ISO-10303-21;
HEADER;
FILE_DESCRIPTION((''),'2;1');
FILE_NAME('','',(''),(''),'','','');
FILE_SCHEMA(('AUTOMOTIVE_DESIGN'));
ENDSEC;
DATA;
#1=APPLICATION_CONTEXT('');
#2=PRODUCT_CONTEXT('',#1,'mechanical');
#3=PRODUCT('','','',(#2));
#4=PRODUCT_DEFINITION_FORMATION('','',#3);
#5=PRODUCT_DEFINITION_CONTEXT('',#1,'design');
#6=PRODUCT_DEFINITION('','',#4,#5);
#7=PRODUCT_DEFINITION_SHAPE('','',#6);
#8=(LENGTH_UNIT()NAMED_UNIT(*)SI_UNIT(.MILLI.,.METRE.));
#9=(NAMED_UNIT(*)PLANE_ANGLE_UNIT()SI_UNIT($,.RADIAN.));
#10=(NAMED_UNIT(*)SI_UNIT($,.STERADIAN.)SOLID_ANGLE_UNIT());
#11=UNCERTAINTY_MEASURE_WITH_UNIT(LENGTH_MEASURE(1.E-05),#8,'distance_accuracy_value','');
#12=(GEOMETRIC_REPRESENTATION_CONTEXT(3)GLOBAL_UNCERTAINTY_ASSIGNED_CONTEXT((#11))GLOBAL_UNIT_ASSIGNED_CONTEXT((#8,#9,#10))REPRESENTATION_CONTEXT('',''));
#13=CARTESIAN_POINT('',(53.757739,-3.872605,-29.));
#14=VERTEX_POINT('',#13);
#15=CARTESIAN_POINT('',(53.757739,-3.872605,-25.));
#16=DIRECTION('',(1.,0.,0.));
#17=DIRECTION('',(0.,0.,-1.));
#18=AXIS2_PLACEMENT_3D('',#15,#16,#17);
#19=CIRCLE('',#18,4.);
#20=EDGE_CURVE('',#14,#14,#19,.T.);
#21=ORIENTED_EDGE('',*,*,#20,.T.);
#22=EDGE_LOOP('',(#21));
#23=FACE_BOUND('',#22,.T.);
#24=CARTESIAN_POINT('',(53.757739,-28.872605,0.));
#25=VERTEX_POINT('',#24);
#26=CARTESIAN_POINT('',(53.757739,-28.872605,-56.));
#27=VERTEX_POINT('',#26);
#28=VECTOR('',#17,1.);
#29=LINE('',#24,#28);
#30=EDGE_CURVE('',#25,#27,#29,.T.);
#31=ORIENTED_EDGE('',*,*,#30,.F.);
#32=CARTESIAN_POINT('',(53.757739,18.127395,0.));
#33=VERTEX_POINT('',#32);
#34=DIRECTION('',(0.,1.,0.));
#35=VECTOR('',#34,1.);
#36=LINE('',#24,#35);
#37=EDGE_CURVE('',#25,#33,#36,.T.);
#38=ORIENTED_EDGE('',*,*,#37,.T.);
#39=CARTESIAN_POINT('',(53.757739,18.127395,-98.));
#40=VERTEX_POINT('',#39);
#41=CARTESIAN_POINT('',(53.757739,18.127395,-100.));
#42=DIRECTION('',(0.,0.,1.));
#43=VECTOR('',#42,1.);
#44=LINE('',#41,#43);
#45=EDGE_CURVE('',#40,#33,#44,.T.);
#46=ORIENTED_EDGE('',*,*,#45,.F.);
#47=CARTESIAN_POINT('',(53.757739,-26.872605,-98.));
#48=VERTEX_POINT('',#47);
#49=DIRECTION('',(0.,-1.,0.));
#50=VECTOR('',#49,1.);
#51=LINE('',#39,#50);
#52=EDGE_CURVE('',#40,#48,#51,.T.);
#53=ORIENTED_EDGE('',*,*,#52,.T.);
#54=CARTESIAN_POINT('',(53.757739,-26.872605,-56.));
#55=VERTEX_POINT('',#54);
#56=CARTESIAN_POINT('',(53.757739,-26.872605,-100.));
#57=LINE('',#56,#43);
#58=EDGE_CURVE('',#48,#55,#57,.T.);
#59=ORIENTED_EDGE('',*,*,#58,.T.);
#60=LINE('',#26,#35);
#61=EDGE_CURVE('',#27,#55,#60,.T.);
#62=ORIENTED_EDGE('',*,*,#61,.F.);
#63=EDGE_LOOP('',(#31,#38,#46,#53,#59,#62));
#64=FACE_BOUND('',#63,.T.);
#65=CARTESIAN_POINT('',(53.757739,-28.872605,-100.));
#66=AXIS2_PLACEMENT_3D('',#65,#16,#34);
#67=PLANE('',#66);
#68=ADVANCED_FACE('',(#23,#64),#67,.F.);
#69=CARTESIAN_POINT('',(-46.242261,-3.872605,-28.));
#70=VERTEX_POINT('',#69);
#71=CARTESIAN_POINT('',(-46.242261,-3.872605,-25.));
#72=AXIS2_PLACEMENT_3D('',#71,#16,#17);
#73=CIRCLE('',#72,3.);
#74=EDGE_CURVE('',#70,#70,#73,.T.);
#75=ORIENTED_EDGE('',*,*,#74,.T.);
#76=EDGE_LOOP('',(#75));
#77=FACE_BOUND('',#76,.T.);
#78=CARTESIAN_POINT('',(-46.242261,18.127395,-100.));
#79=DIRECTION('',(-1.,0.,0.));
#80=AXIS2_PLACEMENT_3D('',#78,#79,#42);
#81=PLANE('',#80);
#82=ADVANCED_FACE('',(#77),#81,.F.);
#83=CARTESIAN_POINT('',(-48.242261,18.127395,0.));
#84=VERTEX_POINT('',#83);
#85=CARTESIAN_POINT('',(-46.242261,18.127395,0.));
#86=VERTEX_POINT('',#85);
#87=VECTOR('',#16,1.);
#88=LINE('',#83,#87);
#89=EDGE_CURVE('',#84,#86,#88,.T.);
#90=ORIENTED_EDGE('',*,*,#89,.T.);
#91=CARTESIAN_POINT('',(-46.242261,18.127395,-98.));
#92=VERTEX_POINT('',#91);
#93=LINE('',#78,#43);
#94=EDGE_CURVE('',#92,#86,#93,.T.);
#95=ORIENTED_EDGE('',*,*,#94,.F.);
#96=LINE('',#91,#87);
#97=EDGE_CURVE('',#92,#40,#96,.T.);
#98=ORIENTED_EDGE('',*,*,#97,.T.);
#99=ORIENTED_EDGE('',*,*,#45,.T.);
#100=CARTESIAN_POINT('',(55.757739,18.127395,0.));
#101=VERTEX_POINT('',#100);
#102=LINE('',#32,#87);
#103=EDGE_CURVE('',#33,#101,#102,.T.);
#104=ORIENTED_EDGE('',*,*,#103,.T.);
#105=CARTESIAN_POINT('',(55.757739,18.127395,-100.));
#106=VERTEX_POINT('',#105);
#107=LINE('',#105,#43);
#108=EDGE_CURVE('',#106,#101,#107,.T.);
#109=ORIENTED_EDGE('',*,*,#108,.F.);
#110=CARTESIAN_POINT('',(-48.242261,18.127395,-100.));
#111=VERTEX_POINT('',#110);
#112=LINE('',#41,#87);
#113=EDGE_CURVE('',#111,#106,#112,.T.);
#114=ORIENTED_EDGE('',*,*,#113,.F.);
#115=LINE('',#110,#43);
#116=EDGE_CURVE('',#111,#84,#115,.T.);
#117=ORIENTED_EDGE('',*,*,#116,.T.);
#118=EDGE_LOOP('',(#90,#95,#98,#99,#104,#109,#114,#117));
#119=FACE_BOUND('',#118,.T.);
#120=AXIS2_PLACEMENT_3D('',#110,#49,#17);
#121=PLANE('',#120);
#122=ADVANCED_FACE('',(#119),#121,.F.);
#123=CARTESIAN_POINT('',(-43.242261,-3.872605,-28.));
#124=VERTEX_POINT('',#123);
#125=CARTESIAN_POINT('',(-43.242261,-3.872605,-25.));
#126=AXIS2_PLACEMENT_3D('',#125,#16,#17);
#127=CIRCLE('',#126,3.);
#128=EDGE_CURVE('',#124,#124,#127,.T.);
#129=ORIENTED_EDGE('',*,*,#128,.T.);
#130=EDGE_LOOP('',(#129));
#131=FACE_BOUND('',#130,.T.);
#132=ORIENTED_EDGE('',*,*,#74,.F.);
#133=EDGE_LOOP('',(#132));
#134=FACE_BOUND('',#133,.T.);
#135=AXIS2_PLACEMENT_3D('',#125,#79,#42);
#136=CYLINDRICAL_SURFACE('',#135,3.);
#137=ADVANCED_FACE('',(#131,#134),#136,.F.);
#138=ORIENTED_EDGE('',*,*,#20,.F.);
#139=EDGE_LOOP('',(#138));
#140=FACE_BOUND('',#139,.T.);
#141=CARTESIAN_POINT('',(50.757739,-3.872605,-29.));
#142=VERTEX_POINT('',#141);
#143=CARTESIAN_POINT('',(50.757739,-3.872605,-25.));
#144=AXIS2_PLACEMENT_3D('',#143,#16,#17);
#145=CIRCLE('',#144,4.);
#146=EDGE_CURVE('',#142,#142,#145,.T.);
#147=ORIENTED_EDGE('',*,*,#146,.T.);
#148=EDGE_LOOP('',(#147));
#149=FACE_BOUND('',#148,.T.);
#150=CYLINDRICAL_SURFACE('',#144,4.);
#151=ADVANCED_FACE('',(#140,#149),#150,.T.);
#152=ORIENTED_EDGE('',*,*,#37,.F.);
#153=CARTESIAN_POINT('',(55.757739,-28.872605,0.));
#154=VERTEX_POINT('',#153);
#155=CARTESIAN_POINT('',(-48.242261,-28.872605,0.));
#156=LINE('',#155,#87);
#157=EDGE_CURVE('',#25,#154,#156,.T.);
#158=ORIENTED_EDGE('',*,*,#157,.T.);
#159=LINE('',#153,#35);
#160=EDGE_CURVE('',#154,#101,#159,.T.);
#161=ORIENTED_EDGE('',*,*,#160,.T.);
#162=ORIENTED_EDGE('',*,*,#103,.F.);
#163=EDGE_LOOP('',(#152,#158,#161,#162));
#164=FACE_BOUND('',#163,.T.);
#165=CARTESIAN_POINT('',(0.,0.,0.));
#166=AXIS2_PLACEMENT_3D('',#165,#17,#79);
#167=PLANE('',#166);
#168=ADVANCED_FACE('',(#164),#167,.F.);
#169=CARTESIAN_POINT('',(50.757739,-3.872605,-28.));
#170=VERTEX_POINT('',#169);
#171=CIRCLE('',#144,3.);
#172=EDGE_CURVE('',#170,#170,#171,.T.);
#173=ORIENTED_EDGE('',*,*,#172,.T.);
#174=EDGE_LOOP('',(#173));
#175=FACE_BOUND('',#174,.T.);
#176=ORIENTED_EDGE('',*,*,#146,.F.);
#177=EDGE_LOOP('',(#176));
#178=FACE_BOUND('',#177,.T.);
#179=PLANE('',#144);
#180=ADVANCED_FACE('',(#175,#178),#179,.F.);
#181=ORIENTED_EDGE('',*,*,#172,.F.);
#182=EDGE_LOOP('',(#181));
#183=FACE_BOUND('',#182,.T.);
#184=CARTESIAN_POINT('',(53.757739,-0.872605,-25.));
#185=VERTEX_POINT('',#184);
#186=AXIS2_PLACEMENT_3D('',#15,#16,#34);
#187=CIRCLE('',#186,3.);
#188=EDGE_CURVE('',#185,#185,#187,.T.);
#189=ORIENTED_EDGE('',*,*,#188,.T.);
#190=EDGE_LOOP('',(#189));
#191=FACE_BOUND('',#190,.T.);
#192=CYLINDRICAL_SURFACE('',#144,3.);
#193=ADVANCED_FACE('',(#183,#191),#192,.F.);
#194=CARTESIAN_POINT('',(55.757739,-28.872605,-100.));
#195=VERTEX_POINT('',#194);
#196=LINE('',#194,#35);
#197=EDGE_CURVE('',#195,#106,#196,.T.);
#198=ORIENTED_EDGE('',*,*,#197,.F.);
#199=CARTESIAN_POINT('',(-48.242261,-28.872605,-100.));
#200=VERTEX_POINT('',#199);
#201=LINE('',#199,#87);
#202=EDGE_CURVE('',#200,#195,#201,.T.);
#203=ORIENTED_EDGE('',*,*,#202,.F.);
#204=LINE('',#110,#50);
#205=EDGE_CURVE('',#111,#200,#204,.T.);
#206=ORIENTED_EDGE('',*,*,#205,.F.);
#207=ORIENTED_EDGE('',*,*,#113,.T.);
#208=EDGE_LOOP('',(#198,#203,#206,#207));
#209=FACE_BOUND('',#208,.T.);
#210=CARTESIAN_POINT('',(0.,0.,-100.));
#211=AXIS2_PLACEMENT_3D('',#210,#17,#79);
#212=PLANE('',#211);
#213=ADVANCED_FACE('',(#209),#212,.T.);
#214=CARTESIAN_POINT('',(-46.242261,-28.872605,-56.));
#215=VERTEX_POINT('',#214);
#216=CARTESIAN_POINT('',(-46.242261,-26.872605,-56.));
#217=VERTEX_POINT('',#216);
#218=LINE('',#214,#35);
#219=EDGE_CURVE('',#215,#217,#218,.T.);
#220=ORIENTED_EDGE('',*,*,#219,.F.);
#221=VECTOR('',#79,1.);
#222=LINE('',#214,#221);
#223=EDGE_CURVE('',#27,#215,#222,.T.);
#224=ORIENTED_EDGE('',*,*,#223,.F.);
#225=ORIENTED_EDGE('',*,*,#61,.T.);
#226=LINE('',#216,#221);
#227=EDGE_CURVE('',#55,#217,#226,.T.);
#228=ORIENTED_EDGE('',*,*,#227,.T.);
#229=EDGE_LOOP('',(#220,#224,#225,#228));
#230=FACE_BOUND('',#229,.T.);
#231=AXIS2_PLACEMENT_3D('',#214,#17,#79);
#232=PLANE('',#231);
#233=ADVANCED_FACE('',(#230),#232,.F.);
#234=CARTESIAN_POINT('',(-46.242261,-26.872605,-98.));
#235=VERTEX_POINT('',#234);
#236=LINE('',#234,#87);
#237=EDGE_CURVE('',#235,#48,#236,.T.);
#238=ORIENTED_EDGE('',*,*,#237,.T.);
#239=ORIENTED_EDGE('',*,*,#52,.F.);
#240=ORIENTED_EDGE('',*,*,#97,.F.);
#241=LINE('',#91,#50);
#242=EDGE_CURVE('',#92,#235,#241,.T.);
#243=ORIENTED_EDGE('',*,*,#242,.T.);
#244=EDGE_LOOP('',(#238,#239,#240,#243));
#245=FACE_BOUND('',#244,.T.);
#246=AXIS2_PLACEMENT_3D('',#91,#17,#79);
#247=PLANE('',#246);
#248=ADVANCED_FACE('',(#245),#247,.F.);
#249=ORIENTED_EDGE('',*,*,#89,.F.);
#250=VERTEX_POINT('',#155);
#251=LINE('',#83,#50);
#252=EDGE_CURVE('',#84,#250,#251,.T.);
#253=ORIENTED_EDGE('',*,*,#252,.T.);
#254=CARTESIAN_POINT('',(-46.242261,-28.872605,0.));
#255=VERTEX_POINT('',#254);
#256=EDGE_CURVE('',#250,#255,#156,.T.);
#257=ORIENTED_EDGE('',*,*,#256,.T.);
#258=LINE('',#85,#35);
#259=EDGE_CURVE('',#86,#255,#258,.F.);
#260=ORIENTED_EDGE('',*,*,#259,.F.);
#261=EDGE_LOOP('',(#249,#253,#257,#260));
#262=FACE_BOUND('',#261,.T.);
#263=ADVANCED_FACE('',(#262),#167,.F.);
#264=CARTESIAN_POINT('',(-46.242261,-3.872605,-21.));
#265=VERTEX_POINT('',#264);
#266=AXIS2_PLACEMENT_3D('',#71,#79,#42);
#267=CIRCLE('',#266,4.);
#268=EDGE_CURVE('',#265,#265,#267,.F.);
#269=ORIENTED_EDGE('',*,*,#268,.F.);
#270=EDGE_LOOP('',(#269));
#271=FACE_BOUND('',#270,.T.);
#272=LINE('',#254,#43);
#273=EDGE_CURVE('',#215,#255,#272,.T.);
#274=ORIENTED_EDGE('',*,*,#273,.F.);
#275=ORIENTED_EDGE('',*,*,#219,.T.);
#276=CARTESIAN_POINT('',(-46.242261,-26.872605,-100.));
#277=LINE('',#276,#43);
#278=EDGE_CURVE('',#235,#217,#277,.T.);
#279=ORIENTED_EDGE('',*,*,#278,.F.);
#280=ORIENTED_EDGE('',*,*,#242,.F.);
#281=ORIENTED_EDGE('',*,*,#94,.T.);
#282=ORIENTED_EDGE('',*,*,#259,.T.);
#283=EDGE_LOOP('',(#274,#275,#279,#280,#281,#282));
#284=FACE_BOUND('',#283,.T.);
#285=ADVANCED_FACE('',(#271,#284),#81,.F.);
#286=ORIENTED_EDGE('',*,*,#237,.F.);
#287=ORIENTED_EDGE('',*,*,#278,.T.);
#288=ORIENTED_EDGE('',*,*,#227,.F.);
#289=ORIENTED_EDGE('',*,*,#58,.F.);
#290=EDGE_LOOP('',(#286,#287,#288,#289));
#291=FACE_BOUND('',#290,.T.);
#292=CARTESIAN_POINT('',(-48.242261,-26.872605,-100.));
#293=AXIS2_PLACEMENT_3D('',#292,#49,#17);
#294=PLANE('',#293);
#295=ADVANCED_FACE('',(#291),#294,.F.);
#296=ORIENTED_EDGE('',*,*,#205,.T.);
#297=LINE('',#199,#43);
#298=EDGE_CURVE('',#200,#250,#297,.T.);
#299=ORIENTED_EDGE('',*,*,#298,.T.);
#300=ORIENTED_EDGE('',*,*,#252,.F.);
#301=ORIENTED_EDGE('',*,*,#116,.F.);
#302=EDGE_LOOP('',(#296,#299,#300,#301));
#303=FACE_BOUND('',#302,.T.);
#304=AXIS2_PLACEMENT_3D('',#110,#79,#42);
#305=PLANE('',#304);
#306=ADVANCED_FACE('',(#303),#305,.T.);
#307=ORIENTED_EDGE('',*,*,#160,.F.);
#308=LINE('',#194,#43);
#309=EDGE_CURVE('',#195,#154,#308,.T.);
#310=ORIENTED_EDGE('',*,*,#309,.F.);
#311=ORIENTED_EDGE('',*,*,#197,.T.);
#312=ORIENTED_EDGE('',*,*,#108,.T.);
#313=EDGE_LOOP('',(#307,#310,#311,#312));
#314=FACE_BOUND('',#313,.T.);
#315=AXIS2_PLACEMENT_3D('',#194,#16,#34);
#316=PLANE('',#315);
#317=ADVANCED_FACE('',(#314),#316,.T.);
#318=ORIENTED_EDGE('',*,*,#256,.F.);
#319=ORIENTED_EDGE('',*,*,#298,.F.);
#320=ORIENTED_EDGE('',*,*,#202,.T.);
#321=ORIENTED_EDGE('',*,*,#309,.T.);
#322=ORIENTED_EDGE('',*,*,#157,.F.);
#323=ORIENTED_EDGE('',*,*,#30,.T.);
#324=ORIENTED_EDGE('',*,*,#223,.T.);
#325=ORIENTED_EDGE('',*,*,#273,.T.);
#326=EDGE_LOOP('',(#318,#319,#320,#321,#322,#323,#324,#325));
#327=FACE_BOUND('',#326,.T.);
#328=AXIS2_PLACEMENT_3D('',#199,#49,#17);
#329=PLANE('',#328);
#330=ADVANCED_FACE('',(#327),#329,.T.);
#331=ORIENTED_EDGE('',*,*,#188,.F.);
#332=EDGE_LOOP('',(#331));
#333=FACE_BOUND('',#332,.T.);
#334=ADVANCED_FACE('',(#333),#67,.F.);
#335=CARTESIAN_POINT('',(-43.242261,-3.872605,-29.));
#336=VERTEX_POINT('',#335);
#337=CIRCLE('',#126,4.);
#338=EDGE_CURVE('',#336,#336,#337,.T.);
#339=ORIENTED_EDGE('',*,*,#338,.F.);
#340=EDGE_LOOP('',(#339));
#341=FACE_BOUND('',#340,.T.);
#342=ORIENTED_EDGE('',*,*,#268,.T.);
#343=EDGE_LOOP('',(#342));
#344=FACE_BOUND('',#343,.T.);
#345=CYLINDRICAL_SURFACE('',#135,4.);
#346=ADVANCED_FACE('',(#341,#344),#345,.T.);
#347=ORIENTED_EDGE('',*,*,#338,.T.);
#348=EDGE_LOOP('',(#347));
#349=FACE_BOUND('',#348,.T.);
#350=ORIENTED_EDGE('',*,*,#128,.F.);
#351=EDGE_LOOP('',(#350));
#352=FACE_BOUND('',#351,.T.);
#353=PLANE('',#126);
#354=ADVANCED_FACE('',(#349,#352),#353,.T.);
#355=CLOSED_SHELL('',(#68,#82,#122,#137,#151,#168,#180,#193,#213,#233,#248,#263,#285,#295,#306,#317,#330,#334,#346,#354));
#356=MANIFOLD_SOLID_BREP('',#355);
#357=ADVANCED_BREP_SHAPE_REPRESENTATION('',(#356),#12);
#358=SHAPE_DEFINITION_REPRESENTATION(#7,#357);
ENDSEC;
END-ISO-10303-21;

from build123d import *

# Parameters (mm, degrees)
EXTRUDE_1_DEPTH     = 100
SKETCH_5_W          = 100
SKETCH_5_H          = 2
EXTRUDE_1_2_DEPTH   = 45
SKETCH_6_W          = 100
SKETCH_6_H          = 56
CUT_EXTRUDE_1_DEPTH = 124.020020532
SKETCH_7_R          = 4
SKETCH_7_R_2        = 3
EXTRUDE_2_DEPTH     = 3


with BuildPart() as part:
    # 草图1 → Extrude 1 (new body)
    with BuildSketch(Plane.XY):
        Polygon((-48.242261061, 18.127395065), (-48.242261061, -28.872604935), (55.757738939, -28.872604935), (55.757738939, 18.127395065), (53.757738939, 18.127395065), (53.757738939, -26.872604935), (-46.242261061, -26.872604935), (-46.242261061, 18.127395065), align=None)
    extrude(amount=-EXTRUDE_1_DEPTH)

    # 草图5 → Extrude 1 2 (add)
    with BuildSketch(Plane(origin=(0, -26.872604935, 0), x_dir=(1, 0, 0), z_dir=(0, 1, 0))):
        with Locations((3.757738939, 99)):
            Rectangle(SKETCH_5_W, SKETCH_5_H)
    extrude(amount=EXTRUDE_1_2_DEPTH)

    # 草图6 → 切除-拉伸1 (cut, through all)
    with BuildSketch(Plane(origin=(0, -26.872604935, 0), x_dir=(1, 0, 0), z_dir=(0, 1, 0))):
        with Locations((3.757738939, 28)):
            Rectangle(SKETCH_6_W, SKETCH_6_H)
    extrude(amount=-CUT_EXTRUDE_1_DEPTH, mode=Mode.SUBTRACT)

    # 草图7 → 拉伸-薄壁2 (add)
    with BuildSketch(Plane(origin=(-46.242261061, 0, 0), x_dir=(0, 0, -1), z_dir=(1, 0, 0))):
        with Locations((25, -3.872604935)):
            Circle(SKETCH_7_R)
        with Locations((25, -3.872604935)):
            Circle(SKETCH_7_R_2, mode=Mode.SUBTRACT)
    extrude_2 = extrude(amount=EXTRUDE_2_DEPTH)

    # 镜向1: 拉伸-薄壁2 across plane
    add(extrude_2.mirror(Plane(origin=(3.757738939, 0, 0), x_dir=(0, 0, 1), z_dir=(1, 0, 0))))


solid = part.part
